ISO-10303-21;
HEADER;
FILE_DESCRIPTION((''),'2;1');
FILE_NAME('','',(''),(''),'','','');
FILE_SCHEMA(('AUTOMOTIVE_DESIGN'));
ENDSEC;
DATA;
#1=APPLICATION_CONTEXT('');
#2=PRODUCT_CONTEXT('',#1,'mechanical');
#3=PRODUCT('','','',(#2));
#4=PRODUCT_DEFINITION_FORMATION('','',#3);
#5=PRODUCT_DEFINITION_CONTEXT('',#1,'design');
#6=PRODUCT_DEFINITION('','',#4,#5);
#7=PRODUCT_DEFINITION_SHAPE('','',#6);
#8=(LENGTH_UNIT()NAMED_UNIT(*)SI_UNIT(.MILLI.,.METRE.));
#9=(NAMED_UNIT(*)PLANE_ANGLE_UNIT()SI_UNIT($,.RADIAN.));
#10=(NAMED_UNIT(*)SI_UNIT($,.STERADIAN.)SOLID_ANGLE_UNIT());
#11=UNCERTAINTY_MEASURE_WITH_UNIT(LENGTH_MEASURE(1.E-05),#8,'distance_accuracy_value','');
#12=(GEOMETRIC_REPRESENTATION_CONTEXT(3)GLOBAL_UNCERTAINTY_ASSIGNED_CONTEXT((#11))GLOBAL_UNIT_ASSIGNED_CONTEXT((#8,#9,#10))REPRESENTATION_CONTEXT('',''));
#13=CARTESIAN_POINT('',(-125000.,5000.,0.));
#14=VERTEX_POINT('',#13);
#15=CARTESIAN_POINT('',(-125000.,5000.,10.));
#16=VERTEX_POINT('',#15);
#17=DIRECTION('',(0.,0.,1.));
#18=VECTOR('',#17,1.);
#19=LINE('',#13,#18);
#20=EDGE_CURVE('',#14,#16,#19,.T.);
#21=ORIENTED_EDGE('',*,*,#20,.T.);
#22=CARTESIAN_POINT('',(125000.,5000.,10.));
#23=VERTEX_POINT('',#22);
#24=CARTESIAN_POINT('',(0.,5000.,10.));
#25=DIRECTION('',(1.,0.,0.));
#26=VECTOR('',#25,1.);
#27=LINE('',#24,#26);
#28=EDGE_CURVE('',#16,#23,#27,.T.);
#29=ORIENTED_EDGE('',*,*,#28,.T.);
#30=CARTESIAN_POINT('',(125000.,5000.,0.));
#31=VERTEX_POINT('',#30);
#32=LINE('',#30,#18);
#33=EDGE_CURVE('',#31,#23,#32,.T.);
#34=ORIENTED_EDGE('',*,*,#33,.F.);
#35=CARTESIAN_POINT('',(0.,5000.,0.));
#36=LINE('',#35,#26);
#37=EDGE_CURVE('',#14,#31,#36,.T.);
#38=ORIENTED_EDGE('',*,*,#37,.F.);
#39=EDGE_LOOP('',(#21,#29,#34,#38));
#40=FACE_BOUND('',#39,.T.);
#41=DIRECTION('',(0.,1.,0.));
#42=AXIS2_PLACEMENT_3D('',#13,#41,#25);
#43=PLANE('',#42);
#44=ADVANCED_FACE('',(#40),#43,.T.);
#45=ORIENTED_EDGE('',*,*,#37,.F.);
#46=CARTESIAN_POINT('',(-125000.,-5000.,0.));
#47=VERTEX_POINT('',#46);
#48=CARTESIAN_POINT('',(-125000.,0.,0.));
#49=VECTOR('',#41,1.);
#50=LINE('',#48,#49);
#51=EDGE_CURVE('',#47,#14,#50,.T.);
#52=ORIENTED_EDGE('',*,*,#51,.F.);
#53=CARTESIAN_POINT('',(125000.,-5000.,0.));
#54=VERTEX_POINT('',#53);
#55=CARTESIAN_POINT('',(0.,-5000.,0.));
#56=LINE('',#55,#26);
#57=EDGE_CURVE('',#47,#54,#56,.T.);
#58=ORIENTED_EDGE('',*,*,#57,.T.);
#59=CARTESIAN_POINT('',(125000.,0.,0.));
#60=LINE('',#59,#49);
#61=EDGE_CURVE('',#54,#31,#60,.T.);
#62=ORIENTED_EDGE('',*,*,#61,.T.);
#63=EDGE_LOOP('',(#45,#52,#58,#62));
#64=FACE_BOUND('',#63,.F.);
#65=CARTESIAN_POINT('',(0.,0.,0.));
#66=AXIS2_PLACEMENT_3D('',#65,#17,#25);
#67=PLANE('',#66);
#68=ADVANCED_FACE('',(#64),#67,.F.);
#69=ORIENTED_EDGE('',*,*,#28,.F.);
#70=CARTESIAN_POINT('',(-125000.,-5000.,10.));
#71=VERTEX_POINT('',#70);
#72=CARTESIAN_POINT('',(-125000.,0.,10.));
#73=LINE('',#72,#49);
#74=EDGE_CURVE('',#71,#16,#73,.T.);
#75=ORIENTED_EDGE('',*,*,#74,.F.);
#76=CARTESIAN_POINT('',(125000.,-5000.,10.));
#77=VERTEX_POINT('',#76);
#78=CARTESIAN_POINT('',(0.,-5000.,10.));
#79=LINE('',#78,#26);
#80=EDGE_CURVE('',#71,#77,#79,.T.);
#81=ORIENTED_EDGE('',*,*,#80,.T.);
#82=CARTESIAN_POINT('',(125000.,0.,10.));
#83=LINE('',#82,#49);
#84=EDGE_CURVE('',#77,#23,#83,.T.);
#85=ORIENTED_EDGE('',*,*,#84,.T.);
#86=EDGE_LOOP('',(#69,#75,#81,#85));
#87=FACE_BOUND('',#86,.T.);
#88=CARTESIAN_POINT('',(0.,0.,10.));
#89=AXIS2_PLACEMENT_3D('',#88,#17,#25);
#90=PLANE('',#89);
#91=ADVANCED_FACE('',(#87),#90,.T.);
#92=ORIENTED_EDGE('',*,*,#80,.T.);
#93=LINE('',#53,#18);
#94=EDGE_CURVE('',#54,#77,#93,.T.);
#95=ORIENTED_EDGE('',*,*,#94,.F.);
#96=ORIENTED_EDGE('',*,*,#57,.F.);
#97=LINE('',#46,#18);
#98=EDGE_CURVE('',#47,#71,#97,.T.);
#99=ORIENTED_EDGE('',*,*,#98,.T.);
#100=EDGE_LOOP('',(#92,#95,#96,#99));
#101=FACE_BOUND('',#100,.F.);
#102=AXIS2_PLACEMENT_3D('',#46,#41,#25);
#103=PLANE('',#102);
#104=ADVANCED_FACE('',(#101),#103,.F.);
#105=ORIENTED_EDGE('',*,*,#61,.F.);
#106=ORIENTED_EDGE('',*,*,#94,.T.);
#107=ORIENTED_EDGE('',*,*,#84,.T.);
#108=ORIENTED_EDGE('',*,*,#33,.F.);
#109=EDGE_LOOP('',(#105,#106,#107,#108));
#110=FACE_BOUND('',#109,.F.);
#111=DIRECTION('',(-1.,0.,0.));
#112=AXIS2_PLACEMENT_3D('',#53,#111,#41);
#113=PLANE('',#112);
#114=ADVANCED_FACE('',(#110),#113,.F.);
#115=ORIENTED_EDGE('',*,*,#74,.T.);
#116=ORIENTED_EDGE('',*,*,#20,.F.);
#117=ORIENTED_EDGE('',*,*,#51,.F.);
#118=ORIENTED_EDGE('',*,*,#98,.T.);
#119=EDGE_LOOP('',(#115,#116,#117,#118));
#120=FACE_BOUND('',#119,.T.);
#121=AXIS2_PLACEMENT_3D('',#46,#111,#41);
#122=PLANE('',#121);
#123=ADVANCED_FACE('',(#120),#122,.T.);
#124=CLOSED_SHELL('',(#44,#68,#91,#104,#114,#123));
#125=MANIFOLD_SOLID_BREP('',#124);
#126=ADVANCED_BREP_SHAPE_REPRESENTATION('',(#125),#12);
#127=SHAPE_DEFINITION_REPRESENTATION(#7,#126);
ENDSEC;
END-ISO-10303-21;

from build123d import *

# Parameters (mm, degrees)
SKETCH1_W           = 250000
SKETCH1_H           = 10000
BOSS_EXTRUDE1_DEPTH = 10


with BuildPart() as part:
    # Sketch1 → Boss-Extrude1 (new body)
    with BuildSketch(Plane.XY):
        Rectangle(SKETCH1_W, SKETCH1_H)
    extrude(amount=BOSS_EXTRUDE1_DEPTH)


solid = part.part
